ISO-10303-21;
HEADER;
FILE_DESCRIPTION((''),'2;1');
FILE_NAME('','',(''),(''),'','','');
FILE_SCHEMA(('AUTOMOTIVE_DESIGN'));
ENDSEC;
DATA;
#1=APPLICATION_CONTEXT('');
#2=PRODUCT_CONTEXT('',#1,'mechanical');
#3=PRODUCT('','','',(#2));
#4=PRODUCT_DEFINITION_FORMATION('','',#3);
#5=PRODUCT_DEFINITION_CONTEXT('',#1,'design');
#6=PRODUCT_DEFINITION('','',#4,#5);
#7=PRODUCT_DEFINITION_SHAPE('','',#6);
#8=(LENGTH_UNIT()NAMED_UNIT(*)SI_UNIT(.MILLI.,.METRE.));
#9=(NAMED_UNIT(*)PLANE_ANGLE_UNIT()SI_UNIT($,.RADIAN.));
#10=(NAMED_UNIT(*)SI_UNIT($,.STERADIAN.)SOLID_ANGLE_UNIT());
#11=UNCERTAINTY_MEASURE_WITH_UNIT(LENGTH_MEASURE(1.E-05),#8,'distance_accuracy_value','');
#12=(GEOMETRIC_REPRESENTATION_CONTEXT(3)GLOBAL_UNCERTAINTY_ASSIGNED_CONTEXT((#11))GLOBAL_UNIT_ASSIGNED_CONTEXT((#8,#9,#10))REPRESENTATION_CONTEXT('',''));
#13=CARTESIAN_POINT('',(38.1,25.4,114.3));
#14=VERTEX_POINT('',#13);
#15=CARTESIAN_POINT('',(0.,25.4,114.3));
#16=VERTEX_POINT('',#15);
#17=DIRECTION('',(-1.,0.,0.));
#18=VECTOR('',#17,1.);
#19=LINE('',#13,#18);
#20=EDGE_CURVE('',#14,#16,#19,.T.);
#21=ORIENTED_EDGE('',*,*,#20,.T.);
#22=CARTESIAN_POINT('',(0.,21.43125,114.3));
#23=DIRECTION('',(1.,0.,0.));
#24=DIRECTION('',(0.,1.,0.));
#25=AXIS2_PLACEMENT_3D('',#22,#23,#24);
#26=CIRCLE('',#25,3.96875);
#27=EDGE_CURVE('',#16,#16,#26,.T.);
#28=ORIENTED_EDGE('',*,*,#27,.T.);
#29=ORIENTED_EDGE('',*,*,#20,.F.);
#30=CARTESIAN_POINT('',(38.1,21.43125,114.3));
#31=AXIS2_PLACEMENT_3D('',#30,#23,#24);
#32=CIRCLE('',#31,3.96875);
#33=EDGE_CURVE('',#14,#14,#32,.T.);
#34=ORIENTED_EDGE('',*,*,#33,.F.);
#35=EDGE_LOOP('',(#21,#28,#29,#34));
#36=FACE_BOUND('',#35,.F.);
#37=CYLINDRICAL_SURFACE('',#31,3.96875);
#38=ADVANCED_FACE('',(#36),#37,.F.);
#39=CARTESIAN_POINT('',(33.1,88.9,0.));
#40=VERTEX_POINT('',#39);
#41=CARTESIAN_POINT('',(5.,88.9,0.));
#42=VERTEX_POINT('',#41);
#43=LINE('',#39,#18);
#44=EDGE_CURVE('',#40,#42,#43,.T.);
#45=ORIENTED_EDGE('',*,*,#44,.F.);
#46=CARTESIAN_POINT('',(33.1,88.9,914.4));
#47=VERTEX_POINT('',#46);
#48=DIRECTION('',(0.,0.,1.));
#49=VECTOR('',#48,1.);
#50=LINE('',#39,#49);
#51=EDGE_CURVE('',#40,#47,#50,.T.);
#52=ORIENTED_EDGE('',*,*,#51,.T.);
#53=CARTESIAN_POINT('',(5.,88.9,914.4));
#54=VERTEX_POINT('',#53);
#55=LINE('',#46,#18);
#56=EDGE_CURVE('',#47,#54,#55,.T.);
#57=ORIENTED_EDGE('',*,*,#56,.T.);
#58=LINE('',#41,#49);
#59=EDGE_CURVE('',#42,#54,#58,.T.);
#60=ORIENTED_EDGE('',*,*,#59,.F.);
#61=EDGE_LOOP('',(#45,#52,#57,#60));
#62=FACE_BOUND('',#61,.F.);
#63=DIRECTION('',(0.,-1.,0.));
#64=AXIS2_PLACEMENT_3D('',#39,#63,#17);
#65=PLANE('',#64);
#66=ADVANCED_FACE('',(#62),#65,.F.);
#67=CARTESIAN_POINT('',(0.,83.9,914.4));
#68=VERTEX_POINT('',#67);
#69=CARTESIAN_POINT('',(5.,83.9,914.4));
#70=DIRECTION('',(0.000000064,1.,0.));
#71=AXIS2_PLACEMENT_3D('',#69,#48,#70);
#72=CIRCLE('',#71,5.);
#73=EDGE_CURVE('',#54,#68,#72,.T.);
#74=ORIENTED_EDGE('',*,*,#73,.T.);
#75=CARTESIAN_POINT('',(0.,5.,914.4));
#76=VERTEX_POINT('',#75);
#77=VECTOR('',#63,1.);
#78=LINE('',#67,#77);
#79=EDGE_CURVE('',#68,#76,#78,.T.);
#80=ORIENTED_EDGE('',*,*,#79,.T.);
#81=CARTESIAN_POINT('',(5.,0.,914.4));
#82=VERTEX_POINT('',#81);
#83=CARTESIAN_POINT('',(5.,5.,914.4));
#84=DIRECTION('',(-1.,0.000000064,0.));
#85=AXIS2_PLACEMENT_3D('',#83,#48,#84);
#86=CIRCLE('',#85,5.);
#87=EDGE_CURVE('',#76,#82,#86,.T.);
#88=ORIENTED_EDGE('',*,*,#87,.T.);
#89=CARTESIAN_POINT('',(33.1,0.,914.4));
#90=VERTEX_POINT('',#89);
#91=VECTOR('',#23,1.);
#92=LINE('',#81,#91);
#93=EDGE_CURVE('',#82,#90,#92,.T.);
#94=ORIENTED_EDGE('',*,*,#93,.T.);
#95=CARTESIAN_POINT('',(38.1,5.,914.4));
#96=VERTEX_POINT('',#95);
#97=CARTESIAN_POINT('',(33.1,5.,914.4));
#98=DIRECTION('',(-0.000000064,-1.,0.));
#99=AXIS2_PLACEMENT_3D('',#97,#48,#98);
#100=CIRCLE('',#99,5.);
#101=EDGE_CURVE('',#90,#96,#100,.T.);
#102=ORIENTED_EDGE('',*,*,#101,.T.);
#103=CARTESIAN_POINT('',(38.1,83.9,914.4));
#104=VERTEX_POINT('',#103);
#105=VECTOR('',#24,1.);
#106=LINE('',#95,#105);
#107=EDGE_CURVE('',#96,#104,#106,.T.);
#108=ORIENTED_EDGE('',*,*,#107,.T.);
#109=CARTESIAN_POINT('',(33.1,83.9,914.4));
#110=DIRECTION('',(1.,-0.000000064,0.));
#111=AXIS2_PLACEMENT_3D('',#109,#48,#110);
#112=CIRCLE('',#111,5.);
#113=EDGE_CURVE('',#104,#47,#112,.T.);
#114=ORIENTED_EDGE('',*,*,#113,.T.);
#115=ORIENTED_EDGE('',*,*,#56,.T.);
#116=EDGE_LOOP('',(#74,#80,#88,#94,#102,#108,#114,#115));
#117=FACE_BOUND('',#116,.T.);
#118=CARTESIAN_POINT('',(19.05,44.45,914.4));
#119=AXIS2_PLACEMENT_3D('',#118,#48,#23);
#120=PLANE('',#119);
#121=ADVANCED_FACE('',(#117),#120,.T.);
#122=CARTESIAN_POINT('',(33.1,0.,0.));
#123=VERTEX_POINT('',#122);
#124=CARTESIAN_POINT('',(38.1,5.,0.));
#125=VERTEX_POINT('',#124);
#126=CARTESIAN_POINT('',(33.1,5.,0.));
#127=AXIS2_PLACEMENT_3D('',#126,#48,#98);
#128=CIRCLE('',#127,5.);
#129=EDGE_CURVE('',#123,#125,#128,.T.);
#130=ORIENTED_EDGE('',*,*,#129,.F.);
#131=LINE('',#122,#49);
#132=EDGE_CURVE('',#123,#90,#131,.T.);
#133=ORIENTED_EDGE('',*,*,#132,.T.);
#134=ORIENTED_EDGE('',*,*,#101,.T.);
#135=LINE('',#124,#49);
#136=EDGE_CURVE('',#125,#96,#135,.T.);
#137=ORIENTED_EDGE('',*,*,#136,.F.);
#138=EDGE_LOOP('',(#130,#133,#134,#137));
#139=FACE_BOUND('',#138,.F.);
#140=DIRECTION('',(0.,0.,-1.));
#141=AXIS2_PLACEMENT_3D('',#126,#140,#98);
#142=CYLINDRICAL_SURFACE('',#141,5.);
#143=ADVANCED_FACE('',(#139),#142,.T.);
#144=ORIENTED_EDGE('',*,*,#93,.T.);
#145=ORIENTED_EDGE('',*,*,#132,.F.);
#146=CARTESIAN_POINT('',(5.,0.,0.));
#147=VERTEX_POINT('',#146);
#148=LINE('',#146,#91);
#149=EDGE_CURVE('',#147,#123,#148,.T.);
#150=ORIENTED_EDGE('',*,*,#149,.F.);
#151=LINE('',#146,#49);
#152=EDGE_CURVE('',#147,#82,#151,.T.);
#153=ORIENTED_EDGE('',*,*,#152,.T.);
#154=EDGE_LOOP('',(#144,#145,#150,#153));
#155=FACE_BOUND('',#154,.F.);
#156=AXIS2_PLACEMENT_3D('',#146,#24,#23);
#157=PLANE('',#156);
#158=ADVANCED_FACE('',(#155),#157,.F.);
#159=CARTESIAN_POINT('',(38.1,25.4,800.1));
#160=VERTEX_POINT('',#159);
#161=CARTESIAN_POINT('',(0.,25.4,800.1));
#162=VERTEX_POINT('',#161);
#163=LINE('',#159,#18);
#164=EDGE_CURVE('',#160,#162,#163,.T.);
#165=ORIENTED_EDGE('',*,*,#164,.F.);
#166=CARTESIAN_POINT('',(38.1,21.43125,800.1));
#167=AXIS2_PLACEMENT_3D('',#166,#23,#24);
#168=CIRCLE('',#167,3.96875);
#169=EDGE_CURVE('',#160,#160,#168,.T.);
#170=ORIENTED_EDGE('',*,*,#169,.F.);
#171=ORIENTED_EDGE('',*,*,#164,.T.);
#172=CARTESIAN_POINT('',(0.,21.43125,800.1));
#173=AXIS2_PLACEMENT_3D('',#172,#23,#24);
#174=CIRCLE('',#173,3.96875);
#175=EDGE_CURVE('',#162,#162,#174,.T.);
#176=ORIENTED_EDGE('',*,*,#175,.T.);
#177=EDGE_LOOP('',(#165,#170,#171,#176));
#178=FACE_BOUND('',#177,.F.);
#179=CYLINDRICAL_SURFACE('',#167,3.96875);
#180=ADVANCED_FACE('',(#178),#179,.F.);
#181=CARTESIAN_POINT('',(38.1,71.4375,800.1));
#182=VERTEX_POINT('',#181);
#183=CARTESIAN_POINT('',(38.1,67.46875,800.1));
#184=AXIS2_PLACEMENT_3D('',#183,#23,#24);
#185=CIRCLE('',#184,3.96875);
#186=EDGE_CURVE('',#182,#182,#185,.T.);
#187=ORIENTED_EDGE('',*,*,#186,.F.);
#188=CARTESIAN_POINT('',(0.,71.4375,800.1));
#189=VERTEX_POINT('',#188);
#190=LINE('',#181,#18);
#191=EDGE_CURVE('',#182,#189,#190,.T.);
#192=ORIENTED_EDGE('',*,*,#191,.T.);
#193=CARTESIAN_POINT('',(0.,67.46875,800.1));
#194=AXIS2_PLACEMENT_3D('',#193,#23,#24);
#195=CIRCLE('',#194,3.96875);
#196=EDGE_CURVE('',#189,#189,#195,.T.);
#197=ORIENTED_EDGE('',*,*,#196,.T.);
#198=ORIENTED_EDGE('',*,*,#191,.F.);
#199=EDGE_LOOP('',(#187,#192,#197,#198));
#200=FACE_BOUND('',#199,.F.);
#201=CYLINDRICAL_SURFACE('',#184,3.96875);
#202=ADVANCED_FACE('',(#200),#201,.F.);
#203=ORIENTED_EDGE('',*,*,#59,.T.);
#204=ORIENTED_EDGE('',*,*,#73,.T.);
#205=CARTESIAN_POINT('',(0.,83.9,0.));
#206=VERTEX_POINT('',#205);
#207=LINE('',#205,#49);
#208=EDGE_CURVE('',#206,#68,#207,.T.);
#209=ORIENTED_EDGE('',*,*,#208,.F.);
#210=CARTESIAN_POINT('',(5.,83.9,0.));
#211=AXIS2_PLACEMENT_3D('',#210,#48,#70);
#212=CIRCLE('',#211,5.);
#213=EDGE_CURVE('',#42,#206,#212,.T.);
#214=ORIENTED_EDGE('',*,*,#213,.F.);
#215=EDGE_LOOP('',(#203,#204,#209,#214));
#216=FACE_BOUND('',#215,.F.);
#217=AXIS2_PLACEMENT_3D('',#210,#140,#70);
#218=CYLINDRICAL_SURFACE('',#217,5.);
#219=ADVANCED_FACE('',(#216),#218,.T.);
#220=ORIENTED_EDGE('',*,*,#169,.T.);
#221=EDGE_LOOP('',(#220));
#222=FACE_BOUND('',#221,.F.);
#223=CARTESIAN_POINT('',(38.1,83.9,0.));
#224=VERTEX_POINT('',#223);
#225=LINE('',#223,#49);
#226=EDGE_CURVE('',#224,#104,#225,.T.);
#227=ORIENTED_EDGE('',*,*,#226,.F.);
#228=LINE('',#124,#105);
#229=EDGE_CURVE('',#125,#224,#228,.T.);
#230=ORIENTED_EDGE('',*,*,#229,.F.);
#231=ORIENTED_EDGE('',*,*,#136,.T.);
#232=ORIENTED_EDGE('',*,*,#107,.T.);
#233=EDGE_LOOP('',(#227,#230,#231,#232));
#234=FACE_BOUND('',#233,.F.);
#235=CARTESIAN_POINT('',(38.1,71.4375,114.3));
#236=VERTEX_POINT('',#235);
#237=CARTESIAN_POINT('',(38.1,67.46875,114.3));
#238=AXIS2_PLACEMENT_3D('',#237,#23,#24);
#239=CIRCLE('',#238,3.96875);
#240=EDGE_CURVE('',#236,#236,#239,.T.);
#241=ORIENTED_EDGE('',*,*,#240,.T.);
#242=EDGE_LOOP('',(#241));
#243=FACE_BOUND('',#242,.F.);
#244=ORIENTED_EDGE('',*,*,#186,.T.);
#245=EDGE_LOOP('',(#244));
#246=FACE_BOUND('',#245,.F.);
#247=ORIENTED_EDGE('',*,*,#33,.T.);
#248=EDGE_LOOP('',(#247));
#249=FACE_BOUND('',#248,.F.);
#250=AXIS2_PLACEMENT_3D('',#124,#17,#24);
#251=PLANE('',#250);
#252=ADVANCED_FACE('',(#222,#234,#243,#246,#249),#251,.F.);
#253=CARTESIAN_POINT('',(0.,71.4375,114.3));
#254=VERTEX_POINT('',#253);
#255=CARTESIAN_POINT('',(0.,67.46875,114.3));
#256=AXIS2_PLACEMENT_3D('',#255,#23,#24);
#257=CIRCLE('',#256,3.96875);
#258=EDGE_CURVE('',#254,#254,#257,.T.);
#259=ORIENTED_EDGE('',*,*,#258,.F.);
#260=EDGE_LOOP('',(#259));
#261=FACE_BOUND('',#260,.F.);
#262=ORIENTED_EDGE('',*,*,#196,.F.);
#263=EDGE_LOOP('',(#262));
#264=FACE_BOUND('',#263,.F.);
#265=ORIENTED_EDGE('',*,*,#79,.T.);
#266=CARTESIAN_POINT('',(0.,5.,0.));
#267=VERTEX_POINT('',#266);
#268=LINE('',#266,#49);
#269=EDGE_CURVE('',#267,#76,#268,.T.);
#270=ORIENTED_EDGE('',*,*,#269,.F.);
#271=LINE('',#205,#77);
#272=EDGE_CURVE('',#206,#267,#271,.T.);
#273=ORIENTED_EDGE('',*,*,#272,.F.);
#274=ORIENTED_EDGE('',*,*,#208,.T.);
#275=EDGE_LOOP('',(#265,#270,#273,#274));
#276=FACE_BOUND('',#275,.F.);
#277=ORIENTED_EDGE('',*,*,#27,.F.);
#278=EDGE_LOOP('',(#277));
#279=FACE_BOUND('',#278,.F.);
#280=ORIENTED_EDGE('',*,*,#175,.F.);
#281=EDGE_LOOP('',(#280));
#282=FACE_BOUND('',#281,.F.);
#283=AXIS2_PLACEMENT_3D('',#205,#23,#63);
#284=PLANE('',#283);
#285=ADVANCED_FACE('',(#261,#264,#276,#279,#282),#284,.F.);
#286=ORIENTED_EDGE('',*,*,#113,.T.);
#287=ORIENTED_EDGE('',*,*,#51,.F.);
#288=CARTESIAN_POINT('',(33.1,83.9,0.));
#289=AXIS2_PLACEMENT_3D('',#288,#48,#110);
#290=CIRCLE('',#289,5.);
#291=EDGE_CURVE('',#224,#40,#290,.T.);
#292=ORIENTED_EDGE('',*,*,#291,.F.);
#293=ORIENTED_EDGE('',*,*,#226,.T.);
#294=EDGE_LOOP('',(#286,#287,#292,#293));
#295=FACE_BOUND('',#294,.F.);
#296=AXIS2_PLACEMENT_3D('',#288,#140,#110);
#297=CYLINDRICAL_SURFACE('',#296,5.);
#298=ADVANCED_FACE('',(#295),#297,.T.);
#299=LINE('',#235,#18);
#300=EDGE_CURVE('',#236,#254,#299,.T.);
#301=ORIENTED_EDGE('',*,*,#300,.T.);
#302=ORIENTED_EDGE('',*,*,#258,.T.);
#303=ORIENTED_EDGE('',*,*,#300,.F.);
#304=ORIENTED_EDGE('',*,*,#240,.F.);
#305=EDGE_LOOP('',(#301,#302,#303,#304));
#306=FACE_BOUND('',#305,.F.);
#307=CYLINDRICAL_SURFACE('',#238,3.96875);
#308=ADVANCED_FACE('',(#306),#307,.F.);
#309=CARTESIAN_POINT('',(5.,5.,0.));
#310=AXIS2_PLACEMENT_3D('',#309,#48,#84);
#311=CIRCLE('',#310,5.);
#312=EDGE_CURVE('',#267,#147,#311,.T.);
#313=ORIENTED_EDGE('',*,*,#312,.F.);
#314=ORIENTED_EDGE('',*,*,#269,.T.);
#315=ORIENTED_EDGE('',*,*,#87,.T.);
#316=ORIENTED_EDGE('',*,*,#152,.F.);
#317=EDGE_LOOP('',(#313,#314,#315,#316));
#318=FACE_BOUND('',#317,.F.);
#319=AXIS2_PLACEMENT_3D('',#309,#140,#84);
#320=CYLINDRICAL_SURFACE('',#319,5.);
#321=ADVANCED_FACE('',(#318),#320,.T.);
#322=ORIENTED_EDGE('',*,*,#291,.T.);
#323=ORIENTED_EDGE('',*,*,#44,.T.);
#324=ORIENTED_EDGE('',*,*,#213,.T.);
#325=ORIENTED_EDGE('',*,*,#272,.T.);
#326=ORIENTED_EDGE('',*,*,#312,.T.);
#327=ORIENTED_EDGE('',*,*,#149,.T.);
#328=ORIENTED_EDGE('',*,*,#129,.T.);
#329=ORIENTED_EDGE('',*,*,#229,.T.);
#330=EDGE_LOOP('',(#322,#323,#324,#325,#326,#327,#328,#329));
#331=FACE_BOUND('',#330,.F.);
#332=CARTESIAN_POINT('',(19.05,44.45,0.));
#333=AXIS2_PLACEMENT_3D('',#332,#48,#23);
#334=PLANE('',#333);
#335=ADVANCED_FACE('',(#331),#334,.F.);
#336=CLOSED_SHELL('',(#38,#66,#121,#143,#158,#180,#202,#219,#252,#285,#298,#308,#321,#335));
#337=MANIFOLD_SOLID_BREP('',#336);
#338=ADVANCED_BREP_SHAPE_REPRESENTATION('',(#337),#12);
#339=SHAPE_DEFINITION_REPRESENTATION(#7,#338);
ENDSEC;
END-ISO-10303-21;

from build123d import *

# Parameters (mm, degrees)
F1_DEPTH = 914.4
F2_R     = 3.96875
F3_DEPTH = 38.101


with BuildPart() as f1:
    # F0 (on Top) → F1 (new body)
    with BuildSketch(Plane.XY):
        with BuildLine():
            ThreePointArc((0, 5), (1.464466, 1.464466), (5, 0))
            Line((5, 0), (33.1, 0))
            ThreePointArc((33.1, 0), (36.635534, 1.464466), (38.1, 5))
            Line((38.1, 5), (38.1, 83.9))
            ThreePointArc((38.1, 83.9), (36.635534, 87.435534), (33.1, 88.9))
            Line((33.1, 88.9), (5, 88.9))
            ThreePointArc((5, 88.9), (1.464466, 87.435534), (0, 83.9))
            Line((0, 83.9), (0, 5))
        make_face()
    extrude(amount=F1_DEPTH)

    # F2 (on face) → F3 (cut, through all)
    with BuildSketch(Plane.YZ.offset(38.1)):
        with Locations((21.43125, 114.3)):
            Circle(F2_R)
        with Locations((67.46875, 114.3)):
            Circle(F2_R)
        with Locations((21.43125, 800.1)):
            Circle(F2_R)
        with Locations((67.46875, 800.1)):
            Circle(F2_R)
    extrude(amount=-F3_DEPTH, mode=Mode.SUBTRACT)


solid = f1.part
